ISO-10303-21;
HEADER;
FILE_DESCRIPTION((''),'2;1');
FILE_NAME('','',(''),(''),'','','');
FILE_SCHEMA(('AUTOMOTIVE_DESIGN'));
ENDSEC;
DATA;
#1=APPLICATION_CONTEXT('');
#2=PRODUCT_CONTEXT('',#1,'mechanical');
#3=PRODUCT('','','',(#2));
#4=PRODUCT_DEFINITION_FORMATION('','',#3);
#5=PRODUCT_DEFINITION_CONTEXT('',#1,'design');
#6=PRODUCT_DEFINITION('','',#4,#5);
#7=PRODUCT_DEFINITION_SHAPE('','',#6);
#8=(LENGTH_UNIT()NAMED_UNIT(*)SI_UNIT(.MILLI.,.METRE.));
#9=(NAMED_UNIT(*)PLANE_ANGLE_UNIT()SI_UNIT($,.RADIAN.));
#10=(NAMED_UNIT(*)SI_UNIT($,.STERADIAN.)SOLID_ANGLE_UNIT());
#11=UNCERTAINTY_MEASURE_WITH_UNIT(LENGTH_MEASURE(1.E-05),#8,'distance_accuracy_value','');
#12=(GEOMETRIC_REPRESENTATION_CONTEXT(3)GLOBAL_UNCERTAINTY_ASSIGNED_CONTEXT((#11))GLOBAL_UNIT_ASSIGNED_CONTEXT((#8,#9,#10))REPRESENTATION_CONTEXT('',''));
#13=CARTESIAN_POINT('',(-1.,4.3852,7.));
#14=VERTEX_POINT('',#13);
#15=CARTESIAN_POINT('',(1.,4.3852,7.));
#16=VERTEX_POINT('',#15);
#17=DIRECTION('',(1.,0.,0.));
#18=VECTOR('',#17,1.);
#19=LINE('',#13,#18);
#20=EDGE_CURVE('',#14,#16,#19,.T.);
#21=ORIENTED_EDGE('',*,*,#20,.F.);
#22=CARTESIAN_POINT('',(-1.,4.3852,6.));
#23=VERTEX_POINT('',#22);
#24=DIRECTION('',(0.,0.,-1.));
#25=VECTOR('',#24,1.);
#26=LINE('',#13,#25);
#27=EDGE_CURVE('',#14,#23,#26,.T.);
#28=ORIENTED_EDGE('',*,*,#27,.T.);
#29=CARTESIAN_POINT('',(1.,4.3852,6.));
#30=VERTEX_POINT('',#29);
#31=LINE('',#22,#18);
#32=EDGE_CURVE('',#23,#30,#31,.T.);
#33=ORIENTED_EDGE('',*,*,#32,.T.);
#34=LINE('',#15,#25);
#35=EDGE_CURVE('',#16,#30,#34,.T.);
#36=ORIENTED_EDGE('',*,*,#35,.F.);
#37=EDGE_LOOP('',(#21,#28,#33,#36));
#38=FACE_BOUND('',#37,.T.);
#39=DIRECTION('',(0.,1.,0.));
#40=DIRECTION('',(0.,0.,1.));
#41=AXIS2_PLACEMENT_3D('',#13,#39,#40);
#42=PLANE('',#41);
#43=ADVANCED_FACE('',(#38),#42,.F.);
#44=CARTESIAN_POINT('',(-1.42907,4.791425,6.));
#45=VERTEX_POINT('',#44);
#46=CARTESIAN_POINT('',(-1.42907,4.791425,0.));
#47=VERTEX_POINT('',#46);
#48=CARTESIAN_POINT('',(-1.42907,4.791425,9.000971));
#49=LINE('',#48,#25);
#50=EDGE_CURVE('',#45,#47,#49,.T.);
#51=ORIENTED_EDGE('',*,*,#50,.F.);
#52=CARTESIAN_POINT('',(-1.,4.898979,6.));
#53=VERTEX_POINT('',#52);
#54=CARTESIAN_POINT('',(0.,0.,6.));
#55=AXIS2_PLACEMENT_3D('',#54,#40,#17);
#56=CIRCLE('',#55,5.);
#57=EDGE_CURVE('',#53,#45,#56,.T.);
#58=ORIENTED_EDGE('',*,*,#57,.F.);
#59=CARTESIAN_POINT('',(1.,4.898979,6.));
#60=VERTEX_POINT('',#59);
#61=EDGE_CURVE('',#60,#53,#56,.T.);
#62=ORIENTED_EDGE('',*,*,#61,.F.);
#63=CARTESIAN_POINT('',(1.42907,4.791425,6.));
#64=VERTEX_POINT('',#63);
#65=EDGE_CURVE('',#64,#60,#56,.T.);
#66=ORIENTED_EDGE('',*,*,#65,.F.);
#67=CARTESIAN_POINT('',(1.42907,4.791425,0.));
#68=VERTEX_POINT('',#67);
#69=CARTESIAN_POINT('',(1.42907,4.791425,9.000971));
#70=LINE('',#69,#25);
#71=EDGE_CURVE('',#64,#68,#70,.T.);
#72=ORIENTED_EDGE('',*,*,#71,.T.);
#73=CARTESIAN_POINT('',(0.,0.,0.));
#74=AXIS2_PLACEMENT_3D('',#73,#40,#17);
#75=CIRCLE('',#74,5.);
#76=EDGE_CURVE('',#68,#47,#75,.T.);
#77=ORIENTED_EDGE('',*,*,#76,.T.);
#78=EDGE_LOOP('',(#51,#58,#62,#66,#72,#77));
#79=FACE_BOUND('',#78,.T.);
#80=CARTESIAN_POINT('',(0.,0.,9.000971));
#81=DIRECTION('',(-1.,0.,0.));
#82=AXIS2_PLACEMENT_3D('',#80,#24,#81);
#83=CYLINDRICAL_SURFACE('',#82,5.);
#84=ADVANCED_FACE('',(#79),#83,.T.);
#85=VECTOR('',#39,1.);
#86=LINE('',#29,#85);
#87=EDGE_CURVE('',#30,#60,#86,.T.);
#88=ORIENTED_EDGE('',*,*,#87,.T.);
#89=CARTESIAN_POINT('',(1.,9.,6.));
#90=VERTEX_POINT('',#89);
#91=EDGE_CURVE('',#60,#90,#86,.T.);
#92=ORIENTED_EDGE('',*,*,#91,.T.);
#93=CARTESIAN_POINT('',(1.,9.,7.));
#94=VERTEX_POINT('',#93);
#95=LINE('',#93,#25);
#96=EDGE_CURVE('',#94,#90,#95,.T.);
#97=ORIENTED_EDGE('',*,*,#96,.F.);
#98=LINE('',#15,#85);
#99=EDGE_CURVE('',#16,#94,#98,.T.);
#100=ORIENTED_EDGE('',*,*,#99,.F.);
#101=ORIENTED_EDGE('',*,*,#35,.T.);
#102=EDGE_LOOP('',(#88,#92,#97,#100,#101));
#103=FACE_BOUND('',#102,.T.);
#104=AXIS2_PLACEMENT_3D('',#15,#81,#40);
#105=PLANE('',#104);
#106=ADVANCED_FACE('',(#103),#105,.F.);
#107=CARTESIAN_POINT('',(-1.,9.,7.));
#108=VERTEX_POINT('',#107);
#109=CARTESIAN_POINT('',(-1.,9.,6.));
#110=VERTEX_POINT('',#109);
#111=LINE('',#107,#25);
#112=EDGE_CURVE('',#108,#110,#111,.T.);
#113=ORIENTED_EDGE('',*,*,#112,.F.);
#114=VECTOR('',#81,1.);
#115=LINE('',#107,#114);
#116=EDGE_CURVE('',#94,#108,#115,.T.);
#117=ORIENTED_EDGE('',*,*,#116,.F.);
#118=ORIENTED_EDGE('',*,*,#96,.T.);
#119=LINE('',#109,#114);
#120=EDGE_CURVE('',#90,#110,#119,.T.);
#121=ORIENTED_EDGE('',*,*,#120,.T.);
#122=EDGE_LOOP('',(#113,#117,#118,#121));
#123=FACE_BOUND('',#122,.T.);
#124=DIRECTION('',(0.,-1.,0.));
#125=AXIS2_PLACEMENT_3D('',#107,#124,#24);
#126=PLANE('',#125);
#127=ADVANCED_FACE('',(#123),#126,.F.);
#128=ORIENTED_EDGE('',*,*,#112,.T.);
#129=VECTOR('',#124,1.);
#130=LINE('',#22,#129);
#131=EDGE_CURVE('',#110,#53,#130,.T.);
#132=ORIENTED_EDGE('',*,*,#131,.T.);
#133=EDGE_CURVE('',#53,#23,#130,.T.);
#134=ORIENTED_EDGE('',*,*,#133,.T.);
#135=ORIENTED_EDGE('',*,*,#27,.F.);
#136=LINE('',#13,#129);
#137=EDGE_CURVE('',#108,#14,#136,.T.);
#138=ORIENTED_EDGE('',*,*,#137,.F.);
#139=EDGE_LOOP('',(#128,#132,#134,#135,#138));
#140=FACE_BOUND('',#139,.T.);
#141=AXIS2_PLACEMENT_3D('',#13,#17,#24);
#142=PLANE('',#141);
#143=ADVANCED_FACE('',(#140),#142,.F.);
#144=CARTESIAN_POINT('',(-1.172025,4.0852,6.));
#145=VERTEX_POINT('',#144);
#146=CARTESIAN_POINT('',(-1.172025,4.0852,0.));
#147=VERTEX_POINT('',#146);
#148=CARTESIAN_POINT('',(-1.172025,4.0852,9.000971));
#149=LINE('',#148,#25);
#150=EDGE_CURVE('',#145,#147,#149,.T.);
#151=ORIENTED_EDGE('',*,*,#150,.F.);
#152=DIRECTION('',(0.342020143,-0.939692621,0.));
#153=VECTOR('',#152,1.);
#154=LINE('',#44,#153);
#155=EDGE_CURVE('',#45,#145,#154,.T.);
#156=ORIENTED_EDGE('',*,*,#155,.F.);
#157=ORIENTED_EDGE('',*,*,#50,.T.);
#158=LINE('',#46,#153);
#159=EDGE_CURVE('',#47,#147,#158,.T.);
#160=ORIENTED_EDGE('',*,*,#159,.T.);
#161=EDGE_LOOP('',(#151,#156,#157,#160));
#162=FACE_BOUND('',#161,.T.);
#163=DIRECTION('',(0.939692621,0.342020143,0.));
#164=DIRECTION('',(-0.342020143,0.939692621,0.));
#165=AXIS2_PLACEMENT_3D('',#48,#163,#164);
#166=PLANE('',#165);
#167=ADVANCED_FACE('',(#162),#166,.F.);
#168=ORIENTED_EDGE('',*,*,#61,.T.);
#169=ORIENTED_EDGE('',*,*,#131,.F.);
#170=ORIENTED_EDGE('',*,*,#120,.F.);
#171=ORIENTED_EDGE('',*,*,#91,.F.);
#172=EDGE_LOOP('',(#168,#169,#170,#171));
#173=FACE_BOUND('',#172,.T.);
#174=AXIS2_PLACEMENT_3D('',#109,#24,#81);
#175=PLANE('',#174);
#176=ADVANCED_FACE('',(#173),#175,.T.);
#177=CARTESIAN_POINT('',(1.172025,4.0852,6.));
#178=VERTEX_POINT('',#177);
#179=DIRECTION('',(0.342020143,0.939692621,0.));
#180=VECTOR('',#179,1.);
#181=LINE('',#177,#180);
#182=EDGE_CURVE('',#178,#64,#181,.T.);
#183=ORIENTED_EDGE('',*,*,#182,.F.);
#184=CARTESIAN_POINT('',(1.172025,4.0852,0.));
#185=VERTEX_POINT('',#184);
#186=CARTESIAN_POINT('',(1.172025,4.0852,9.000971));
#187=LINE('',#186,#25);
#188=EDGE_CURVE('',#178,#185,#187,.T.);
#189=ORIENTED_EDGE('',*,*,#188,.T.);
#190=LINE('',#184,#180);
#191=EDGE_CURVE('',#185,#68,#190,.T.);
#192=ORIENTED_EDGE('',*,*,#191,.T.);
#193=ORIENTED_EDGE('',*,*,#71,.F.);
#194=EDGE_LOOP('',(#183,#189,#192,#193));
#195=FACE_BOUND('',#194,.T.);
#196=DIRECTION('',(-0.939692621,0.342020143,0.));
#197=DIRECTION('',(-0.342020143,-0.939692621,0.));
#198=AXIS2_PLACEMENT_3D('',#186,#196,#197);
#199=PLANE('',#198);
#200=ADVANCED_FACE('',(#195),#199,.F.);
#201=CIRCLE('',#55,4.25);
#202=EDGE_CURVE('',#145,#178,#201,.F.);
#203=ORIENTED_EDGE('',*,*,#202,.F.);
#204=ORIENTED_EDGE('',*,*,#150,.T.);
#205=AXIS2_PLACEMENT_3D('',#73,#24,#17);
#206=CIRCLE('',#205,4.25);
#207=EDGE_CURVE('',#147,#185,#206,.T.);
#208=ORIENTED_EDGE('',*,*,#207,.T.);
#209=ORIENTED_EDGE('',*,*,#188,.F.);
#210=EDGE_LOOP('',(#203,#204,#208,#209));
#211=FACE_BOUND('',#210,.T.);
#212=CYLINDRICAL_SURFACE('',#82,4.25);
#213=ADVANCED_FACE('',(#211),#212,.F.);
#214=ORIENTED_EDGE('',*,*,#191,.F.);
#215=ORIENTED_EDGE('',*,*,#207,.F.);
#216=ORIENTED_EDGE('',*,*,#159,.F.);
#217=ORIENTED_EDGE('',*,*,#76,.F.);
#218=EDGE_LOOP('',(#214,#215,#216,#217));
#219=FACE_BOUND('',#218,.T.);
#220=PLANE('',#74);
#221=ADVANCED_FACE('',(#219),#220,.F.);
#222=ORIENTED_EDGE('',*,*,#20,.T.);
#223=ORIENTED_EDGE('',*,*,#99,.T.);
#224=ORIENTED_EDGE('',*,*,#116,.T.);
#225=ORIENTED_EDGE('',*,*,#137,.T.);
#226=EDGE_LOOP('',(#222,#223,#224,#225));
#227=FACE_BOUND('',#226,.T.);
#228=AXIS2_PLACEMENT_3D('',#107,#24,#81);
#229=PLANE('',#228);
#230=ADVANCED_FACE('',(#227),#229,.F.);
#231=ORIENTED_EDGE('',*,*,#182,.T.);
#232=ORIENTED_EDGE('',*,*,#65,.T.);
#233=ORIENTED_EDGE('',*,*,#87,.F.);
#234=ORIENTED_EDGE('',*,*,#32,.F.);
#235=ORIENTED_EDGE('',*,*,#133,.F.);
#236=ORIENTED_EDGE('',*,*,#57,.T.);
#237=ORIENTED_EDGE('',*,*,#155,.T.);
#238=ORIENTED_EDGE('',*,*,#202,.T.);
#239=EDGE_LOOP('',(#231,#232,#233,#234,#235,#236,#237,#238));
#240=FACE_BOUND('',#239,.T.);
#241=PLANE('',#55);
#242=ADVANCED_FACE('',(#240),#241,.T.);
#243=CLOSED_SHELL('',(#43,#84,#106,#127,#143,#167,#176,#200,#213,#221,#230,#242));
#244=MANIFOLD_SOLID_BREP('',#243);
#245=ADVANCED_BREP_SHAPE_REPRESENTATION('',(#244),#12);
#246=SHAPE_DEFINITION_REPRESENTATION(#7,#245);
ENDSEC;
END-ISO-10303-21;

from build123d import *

# Parameters (mm, degrees)
BASE_EXTRUSION_DEPTH = 6
ESQUISSE2_W          = 2
ESQUISSE2_H          = 4.614800239
BOSS_EXTRU_1_DEPTH   = 1


with BuildPart() as part:
    # Esquisse1 → Base-Extrusion (new body)
    with BuildSketch(Plane.XY):
        with BuildLine():
            Line((-1.429070273, 4.791425482), (-1.172025132, 4.085199761))
            ThreePointArc((-1.172025132, 4.085199761), (0, 4.25), (1.172025132, 4.085199761))
            Line((1.172025132, 4.085199761), (1.429070273, 4.791425482))
            ThreePointArc((1.429070273, 4.791425482), (0, 5), (-1.429070273, 4.791425482))
        make_face()
    extrude(amount=BASE_EXTRUSION_DEPTH)

    # Esquisse2 → Boss.-Extru.1 (add)
    with BuildSketch(Plane.XY.offset(6)):
        with Locations((0, 6.69259988)):
            Rectangle(ESQUISSE2_W, ESQUISSE2_H)
    extrude(amount=BOSS_EXTRU_1_DEPTH)


solid = part.part
